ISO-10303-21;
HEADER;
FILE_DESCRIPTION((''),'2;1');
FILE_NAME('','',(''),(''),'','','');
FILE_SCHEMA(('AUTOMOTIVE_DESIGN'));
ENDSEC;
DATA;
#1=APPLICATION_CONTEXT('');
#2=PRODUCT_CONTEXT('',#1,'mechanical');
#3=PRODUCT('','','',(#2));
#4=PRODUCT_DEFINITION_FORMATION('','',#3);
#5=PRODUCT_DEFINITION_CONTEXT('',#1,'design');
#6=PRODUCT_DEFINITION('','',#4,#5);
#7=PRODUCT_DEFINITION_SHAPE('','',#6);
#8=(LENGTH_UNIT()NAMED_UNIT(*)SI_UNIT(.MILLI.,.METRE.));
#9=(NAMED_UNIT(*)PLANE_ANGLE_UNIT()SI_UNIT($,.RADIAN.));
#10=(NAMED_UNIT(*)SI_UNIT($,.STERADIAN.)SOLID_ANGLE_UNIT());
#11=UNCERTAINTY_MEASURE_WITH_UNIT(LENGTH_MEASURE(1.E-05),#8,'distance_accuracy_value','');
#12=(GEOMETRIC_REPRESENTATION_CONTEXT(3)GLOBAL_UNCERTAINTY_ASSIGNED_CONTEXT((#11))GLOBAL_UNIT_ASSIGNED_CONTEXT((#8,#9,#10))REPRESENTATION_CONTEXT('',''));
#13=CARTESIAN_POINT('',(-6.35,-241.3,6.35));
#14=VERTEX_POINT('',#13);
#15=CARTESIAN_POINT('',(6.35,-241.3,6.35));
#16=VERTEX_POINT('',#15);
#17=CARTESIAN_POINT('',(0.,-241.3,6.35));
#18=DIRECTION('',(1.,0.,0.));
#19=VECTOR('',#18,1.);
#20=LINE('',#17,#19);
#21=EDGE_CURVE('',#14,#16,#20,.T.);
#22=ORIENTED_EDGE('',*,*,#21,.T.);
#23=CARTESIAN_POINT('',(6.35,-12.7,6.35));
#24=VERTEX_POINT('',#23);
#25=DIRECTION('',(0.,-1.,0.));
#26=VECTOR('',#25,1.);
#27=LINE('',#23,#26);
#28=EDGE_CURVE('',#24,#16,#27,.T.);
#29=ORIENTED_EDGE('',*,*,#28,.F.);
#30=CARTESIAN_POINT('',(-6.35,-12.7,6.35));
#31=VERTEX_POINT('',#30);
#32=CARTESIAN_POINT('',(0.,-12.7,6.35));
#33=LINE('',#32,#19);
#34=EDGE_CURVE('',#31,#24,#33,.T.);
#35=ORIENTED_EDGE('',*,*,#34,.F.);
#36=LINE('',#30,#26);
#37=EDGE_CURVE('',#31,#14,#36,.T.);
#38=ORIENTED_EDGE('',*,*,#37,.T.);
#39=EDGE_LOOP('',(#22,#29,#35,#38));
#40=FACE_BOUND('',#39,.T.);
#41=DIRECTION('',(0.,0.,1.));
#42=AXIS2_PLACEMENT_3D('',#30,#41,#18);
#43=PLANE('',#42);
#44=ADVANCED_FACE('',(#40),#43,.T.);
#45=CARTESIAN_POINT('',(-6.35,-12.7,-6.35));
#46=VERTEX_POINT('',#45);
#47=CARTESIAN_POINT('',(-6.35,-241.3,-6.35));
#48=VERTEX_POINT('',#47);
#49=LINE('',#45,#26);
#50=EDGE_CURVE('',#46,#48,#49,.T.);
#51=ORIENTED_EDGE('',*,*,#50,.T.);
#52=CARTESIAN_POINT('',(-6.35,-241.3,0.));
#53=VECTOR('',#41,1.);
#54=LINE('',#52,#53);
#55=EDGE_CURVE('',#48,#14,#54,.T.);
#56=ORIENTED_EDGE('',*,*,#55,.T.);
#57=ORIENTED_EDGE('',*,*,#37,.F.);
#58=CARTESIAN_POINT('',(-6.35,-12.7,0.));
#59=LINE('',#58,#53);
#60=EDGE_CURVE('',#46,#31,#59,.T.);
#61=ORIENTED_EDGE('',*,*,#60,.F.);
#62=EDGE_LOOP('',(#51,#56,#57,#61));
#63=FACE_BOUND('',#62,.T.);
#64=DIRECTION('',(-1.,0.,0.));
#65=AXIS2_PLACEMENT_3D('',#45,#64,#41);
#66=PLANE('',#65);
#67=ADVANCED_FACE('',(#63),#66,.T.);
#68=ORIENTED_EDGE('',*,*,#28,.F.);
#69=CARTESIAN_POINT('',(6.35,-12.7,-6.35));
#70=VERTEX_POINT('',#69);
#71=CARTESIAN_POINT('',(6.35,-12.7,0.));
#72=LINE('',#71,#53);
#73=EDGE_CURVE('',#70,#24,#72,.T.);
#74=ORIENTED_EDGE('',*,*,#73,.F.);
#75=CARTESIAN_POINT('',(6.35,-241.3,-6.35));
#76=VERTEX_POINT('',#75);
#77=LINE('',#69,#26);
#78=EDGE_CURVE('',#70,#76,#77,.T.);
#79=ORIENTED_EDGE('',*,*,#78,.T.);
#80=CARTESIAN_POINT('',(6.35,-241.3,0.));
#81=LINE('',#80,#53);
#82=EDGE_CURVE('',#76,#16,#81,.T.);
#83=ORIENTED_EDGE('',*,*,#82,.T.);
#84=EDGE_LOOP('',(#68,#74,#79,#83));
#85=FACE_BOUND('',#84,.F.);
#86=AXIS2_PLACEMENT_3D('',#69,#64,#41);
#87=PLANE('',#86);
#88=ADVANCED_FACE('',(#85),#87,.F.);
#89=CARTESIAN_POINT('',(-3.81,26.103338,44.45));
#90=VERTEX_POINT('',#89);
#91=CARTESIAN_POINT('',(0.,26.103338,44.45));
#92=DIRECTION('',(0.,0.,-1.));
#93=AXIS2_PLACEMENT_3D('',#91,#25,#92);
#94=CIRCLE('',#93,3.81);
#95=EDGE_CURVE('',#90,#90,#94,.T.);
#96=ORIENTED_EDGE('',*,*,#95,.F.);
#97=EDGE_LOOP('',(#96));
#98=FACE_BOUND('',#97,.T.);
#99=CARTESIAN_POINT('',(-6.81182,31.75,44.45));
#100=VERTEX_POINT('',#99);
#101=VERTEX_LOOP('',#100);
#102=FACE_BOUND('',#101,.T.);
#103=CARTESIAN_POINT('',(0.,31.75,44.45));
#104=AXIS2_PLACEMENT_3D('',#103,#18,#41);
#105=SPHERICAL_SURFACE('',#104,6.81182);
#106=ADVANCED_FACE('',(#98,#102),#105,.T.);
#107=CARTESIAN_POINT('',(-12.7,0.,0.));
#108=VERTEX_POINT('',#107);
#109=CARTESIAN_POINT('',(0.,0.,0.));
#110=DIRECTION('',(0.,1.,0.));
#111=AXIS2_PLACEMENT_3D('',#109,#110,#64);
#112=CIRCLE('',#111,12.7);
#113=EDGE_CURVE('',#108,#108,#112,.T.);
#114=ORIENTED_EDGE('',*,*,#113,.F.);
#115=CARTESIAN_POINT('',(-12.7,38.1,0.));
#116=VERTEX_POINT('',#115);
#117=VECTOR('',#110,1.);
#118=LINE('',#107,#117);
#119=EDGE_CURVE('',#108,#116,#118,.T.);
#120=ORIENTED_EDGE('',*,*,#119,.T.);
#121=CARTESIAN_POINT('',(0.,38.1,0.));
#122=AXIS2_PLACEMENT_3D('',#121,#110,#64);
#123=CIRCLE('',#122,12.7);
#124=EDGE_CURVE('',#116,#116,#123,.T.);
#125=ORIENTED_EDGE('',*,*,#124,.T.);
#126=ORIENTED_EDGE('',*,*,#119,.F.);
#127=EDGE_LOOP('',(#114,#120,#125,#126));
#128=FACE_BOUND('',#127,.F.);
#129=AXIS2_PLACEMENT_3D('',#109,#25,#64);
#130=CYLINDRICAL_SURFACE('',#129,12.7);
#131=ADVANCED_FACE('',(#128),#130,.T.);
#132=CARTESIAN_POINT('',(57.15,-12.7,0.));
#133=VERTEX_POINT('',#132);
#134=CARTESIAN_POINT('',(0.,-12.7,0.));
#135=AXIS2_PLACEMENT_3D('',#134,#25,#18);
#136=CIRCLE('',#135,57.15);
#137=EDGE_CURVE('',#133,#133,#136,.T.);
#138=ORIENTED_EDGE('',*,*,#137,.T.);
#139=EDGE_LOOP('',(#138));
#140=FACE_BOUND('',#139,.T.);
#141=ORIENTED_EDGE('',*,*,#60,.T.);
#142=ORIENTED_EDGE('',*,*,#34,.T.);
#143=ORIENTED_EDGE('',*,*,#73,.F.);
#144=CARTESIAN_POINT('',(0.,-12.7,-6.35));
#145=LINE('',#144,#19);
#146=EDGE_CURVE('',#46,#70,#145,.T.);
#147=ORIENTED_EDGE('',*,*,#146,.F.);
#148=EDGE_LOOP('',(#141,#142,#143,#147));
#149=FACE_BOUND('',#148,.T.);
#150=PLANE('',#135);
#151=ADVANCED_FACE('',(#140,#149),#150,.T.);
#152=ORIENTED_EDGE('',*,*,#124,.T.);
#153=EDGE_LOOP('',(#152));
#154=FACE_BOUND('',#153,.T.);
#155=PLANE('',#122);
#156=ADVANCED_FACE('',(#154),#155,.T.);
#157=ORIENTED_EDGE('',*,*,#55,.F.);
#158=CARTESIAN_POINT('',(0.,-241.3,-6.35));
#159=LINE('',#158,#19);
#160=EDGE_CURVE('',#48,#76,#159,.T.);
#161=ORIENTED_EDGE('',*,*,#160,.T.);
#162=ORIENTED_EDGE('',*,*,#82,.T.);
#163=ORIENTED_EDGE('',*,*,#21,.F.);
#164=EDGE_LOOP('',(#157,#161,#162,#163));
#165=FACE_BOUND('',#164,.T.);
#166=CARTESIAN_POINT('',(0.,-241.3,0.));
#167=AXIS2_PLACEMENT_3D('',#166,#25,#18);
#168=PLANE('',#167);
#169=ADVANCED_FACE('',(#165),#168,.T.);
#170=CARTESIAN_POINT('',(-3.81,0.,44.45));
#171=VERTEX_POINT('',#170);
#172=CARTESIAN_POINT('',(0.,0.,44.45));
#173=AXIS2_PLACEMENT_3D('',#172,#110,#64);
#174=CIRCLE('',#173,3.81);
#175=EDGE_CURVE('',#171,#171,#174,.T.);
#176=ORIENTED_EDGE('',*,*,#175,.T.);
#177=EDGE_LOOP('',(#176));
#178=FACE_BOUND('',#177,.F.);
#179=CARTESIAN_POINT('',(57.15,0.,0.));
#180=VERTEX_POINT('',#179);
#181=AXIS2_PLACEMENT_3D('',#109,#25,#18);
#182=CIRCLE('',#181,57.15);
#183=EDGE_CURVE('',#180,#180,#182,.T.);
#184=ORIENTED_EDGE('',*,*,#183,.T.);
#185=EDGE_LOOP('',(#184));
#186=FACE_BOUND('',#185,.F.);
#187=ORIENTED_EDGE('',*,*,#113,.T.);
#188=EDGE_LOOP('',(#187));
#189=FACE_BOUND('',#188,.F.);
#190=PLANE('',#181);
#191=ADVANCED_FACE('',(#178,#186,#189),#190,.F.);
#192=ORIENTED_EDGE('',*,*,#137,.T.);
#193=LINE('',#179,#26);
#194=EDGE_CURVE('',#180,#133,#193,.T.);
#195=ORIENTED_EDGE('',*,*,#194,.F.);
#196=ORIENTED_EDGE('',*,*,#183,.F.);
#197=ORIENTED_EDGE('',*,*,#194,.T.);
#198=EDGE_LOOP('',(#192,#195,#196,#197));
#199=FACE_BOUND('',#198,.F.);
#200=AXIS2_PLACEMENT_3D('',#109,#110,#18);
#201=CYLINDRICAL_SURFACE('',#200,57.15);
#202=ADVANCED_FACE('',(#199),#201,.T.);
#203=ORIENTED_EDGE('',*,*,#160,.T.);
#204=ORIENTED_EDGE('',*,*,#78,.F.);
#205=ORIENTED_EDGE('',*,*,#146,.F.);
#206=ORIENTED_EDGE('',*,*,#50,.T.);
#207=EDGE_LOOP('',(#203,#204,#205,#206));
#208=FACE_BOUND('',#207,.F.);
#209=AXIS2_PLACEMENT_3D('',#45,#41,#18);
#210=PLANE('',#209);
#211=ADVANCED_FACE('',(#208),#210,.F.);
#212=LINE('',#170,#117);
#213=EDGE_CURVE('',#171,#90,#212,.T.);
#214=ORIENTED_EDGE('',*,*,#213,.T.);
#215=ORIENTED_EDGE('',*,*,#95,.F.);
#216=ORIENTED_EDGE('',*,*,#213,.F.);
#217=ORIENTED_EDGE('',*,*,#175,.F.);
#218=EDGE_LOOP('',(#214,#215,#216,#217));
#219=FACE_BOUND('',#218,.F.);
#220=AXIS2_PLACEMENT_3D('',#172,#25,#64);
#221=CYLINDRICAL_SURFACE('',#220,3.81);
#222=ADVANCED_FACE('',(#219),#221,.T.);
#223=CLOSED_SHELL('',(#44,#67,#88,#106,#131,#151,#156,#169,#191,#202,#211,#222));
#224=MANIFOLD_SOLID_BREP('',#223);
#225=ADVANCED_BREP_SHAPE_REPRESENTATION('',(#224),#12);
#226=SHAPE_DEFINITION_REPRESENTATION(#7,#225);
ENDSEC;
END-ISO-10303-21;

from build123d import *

# Parameters (mm, degrees)
F0_R     = 57.15
F1_DEPTH = 12.7
F2_W     = 12.7
F2_H     = 12.7
F3_DEPTH = 228.6
F4_R     = 12.7
F5_DEPTH = 38.1
F6_R     = 3.81
F7_DEPTH = 31.75


with BuildPart() as f1:
    # F0 (on Front) → F1 (new body)
    with BuildSketch(Plane.XZ):
        Circle(F0_R)
    extrude(amount=F1_DEPTH)

    # F2 (on face) → F3 (join)
    with BuildSketch(Plane.XZ.offset(12.7)):
        Rectangle(F2_W, F2_H)
    extrude(amount=F3_DEPTH)

    # F4 (on face) → F5 (join)
    with BuildSketch(Plane(origin=(0, 0, 0), x_dir=(-1, 0, 0), z_dir=(0, 1, 0))):
        Circle(F4_R)
    extrude(amount=F5_DEPTH)

    # F6 (on face) → F7 (join)
    with BuildSketch(Plane(origin=(0, 0, 0), x_dir=(-1, 0, 0), z_dir=(0, 1, 0))):
        with Locations((0, 44.45)):
            Circle(F6_R)
    extrude(amount=F7_DEPTH)

    # F8 (on face) → F9 (revolve)
    with BuildSketch(Plane(origin=(0, 31.75, 0), x_dir=(-1, 0, 0), z_dir=(0, 1, 0))):
        with BuildLine():
            ThreePointArc((-3.81, 44.45), (0, 48.26), (3.81, 44.45))
            Line((3.81, 44.45), (6.8118199706, 44.45))
            ThreePointArc((6.8118199706, 44.45), (0, 51.2618199706), (-6.8118199706, 44.45))
            Line((-6.8118199706, 44.45), (-3.81, 44.45))
        make_face()
        with BuildLine():
            Line((-3.81, 44.45), (3.81, 44.45))
            ThreePointArc((3.81, 44.45), (0, 48.26), (-3.81, 44.45))
        make_face()
    revolve(axis=Axis((15.5152343214, 31.75, 44.45), (1, 0, 0)))


solid = f1.part
